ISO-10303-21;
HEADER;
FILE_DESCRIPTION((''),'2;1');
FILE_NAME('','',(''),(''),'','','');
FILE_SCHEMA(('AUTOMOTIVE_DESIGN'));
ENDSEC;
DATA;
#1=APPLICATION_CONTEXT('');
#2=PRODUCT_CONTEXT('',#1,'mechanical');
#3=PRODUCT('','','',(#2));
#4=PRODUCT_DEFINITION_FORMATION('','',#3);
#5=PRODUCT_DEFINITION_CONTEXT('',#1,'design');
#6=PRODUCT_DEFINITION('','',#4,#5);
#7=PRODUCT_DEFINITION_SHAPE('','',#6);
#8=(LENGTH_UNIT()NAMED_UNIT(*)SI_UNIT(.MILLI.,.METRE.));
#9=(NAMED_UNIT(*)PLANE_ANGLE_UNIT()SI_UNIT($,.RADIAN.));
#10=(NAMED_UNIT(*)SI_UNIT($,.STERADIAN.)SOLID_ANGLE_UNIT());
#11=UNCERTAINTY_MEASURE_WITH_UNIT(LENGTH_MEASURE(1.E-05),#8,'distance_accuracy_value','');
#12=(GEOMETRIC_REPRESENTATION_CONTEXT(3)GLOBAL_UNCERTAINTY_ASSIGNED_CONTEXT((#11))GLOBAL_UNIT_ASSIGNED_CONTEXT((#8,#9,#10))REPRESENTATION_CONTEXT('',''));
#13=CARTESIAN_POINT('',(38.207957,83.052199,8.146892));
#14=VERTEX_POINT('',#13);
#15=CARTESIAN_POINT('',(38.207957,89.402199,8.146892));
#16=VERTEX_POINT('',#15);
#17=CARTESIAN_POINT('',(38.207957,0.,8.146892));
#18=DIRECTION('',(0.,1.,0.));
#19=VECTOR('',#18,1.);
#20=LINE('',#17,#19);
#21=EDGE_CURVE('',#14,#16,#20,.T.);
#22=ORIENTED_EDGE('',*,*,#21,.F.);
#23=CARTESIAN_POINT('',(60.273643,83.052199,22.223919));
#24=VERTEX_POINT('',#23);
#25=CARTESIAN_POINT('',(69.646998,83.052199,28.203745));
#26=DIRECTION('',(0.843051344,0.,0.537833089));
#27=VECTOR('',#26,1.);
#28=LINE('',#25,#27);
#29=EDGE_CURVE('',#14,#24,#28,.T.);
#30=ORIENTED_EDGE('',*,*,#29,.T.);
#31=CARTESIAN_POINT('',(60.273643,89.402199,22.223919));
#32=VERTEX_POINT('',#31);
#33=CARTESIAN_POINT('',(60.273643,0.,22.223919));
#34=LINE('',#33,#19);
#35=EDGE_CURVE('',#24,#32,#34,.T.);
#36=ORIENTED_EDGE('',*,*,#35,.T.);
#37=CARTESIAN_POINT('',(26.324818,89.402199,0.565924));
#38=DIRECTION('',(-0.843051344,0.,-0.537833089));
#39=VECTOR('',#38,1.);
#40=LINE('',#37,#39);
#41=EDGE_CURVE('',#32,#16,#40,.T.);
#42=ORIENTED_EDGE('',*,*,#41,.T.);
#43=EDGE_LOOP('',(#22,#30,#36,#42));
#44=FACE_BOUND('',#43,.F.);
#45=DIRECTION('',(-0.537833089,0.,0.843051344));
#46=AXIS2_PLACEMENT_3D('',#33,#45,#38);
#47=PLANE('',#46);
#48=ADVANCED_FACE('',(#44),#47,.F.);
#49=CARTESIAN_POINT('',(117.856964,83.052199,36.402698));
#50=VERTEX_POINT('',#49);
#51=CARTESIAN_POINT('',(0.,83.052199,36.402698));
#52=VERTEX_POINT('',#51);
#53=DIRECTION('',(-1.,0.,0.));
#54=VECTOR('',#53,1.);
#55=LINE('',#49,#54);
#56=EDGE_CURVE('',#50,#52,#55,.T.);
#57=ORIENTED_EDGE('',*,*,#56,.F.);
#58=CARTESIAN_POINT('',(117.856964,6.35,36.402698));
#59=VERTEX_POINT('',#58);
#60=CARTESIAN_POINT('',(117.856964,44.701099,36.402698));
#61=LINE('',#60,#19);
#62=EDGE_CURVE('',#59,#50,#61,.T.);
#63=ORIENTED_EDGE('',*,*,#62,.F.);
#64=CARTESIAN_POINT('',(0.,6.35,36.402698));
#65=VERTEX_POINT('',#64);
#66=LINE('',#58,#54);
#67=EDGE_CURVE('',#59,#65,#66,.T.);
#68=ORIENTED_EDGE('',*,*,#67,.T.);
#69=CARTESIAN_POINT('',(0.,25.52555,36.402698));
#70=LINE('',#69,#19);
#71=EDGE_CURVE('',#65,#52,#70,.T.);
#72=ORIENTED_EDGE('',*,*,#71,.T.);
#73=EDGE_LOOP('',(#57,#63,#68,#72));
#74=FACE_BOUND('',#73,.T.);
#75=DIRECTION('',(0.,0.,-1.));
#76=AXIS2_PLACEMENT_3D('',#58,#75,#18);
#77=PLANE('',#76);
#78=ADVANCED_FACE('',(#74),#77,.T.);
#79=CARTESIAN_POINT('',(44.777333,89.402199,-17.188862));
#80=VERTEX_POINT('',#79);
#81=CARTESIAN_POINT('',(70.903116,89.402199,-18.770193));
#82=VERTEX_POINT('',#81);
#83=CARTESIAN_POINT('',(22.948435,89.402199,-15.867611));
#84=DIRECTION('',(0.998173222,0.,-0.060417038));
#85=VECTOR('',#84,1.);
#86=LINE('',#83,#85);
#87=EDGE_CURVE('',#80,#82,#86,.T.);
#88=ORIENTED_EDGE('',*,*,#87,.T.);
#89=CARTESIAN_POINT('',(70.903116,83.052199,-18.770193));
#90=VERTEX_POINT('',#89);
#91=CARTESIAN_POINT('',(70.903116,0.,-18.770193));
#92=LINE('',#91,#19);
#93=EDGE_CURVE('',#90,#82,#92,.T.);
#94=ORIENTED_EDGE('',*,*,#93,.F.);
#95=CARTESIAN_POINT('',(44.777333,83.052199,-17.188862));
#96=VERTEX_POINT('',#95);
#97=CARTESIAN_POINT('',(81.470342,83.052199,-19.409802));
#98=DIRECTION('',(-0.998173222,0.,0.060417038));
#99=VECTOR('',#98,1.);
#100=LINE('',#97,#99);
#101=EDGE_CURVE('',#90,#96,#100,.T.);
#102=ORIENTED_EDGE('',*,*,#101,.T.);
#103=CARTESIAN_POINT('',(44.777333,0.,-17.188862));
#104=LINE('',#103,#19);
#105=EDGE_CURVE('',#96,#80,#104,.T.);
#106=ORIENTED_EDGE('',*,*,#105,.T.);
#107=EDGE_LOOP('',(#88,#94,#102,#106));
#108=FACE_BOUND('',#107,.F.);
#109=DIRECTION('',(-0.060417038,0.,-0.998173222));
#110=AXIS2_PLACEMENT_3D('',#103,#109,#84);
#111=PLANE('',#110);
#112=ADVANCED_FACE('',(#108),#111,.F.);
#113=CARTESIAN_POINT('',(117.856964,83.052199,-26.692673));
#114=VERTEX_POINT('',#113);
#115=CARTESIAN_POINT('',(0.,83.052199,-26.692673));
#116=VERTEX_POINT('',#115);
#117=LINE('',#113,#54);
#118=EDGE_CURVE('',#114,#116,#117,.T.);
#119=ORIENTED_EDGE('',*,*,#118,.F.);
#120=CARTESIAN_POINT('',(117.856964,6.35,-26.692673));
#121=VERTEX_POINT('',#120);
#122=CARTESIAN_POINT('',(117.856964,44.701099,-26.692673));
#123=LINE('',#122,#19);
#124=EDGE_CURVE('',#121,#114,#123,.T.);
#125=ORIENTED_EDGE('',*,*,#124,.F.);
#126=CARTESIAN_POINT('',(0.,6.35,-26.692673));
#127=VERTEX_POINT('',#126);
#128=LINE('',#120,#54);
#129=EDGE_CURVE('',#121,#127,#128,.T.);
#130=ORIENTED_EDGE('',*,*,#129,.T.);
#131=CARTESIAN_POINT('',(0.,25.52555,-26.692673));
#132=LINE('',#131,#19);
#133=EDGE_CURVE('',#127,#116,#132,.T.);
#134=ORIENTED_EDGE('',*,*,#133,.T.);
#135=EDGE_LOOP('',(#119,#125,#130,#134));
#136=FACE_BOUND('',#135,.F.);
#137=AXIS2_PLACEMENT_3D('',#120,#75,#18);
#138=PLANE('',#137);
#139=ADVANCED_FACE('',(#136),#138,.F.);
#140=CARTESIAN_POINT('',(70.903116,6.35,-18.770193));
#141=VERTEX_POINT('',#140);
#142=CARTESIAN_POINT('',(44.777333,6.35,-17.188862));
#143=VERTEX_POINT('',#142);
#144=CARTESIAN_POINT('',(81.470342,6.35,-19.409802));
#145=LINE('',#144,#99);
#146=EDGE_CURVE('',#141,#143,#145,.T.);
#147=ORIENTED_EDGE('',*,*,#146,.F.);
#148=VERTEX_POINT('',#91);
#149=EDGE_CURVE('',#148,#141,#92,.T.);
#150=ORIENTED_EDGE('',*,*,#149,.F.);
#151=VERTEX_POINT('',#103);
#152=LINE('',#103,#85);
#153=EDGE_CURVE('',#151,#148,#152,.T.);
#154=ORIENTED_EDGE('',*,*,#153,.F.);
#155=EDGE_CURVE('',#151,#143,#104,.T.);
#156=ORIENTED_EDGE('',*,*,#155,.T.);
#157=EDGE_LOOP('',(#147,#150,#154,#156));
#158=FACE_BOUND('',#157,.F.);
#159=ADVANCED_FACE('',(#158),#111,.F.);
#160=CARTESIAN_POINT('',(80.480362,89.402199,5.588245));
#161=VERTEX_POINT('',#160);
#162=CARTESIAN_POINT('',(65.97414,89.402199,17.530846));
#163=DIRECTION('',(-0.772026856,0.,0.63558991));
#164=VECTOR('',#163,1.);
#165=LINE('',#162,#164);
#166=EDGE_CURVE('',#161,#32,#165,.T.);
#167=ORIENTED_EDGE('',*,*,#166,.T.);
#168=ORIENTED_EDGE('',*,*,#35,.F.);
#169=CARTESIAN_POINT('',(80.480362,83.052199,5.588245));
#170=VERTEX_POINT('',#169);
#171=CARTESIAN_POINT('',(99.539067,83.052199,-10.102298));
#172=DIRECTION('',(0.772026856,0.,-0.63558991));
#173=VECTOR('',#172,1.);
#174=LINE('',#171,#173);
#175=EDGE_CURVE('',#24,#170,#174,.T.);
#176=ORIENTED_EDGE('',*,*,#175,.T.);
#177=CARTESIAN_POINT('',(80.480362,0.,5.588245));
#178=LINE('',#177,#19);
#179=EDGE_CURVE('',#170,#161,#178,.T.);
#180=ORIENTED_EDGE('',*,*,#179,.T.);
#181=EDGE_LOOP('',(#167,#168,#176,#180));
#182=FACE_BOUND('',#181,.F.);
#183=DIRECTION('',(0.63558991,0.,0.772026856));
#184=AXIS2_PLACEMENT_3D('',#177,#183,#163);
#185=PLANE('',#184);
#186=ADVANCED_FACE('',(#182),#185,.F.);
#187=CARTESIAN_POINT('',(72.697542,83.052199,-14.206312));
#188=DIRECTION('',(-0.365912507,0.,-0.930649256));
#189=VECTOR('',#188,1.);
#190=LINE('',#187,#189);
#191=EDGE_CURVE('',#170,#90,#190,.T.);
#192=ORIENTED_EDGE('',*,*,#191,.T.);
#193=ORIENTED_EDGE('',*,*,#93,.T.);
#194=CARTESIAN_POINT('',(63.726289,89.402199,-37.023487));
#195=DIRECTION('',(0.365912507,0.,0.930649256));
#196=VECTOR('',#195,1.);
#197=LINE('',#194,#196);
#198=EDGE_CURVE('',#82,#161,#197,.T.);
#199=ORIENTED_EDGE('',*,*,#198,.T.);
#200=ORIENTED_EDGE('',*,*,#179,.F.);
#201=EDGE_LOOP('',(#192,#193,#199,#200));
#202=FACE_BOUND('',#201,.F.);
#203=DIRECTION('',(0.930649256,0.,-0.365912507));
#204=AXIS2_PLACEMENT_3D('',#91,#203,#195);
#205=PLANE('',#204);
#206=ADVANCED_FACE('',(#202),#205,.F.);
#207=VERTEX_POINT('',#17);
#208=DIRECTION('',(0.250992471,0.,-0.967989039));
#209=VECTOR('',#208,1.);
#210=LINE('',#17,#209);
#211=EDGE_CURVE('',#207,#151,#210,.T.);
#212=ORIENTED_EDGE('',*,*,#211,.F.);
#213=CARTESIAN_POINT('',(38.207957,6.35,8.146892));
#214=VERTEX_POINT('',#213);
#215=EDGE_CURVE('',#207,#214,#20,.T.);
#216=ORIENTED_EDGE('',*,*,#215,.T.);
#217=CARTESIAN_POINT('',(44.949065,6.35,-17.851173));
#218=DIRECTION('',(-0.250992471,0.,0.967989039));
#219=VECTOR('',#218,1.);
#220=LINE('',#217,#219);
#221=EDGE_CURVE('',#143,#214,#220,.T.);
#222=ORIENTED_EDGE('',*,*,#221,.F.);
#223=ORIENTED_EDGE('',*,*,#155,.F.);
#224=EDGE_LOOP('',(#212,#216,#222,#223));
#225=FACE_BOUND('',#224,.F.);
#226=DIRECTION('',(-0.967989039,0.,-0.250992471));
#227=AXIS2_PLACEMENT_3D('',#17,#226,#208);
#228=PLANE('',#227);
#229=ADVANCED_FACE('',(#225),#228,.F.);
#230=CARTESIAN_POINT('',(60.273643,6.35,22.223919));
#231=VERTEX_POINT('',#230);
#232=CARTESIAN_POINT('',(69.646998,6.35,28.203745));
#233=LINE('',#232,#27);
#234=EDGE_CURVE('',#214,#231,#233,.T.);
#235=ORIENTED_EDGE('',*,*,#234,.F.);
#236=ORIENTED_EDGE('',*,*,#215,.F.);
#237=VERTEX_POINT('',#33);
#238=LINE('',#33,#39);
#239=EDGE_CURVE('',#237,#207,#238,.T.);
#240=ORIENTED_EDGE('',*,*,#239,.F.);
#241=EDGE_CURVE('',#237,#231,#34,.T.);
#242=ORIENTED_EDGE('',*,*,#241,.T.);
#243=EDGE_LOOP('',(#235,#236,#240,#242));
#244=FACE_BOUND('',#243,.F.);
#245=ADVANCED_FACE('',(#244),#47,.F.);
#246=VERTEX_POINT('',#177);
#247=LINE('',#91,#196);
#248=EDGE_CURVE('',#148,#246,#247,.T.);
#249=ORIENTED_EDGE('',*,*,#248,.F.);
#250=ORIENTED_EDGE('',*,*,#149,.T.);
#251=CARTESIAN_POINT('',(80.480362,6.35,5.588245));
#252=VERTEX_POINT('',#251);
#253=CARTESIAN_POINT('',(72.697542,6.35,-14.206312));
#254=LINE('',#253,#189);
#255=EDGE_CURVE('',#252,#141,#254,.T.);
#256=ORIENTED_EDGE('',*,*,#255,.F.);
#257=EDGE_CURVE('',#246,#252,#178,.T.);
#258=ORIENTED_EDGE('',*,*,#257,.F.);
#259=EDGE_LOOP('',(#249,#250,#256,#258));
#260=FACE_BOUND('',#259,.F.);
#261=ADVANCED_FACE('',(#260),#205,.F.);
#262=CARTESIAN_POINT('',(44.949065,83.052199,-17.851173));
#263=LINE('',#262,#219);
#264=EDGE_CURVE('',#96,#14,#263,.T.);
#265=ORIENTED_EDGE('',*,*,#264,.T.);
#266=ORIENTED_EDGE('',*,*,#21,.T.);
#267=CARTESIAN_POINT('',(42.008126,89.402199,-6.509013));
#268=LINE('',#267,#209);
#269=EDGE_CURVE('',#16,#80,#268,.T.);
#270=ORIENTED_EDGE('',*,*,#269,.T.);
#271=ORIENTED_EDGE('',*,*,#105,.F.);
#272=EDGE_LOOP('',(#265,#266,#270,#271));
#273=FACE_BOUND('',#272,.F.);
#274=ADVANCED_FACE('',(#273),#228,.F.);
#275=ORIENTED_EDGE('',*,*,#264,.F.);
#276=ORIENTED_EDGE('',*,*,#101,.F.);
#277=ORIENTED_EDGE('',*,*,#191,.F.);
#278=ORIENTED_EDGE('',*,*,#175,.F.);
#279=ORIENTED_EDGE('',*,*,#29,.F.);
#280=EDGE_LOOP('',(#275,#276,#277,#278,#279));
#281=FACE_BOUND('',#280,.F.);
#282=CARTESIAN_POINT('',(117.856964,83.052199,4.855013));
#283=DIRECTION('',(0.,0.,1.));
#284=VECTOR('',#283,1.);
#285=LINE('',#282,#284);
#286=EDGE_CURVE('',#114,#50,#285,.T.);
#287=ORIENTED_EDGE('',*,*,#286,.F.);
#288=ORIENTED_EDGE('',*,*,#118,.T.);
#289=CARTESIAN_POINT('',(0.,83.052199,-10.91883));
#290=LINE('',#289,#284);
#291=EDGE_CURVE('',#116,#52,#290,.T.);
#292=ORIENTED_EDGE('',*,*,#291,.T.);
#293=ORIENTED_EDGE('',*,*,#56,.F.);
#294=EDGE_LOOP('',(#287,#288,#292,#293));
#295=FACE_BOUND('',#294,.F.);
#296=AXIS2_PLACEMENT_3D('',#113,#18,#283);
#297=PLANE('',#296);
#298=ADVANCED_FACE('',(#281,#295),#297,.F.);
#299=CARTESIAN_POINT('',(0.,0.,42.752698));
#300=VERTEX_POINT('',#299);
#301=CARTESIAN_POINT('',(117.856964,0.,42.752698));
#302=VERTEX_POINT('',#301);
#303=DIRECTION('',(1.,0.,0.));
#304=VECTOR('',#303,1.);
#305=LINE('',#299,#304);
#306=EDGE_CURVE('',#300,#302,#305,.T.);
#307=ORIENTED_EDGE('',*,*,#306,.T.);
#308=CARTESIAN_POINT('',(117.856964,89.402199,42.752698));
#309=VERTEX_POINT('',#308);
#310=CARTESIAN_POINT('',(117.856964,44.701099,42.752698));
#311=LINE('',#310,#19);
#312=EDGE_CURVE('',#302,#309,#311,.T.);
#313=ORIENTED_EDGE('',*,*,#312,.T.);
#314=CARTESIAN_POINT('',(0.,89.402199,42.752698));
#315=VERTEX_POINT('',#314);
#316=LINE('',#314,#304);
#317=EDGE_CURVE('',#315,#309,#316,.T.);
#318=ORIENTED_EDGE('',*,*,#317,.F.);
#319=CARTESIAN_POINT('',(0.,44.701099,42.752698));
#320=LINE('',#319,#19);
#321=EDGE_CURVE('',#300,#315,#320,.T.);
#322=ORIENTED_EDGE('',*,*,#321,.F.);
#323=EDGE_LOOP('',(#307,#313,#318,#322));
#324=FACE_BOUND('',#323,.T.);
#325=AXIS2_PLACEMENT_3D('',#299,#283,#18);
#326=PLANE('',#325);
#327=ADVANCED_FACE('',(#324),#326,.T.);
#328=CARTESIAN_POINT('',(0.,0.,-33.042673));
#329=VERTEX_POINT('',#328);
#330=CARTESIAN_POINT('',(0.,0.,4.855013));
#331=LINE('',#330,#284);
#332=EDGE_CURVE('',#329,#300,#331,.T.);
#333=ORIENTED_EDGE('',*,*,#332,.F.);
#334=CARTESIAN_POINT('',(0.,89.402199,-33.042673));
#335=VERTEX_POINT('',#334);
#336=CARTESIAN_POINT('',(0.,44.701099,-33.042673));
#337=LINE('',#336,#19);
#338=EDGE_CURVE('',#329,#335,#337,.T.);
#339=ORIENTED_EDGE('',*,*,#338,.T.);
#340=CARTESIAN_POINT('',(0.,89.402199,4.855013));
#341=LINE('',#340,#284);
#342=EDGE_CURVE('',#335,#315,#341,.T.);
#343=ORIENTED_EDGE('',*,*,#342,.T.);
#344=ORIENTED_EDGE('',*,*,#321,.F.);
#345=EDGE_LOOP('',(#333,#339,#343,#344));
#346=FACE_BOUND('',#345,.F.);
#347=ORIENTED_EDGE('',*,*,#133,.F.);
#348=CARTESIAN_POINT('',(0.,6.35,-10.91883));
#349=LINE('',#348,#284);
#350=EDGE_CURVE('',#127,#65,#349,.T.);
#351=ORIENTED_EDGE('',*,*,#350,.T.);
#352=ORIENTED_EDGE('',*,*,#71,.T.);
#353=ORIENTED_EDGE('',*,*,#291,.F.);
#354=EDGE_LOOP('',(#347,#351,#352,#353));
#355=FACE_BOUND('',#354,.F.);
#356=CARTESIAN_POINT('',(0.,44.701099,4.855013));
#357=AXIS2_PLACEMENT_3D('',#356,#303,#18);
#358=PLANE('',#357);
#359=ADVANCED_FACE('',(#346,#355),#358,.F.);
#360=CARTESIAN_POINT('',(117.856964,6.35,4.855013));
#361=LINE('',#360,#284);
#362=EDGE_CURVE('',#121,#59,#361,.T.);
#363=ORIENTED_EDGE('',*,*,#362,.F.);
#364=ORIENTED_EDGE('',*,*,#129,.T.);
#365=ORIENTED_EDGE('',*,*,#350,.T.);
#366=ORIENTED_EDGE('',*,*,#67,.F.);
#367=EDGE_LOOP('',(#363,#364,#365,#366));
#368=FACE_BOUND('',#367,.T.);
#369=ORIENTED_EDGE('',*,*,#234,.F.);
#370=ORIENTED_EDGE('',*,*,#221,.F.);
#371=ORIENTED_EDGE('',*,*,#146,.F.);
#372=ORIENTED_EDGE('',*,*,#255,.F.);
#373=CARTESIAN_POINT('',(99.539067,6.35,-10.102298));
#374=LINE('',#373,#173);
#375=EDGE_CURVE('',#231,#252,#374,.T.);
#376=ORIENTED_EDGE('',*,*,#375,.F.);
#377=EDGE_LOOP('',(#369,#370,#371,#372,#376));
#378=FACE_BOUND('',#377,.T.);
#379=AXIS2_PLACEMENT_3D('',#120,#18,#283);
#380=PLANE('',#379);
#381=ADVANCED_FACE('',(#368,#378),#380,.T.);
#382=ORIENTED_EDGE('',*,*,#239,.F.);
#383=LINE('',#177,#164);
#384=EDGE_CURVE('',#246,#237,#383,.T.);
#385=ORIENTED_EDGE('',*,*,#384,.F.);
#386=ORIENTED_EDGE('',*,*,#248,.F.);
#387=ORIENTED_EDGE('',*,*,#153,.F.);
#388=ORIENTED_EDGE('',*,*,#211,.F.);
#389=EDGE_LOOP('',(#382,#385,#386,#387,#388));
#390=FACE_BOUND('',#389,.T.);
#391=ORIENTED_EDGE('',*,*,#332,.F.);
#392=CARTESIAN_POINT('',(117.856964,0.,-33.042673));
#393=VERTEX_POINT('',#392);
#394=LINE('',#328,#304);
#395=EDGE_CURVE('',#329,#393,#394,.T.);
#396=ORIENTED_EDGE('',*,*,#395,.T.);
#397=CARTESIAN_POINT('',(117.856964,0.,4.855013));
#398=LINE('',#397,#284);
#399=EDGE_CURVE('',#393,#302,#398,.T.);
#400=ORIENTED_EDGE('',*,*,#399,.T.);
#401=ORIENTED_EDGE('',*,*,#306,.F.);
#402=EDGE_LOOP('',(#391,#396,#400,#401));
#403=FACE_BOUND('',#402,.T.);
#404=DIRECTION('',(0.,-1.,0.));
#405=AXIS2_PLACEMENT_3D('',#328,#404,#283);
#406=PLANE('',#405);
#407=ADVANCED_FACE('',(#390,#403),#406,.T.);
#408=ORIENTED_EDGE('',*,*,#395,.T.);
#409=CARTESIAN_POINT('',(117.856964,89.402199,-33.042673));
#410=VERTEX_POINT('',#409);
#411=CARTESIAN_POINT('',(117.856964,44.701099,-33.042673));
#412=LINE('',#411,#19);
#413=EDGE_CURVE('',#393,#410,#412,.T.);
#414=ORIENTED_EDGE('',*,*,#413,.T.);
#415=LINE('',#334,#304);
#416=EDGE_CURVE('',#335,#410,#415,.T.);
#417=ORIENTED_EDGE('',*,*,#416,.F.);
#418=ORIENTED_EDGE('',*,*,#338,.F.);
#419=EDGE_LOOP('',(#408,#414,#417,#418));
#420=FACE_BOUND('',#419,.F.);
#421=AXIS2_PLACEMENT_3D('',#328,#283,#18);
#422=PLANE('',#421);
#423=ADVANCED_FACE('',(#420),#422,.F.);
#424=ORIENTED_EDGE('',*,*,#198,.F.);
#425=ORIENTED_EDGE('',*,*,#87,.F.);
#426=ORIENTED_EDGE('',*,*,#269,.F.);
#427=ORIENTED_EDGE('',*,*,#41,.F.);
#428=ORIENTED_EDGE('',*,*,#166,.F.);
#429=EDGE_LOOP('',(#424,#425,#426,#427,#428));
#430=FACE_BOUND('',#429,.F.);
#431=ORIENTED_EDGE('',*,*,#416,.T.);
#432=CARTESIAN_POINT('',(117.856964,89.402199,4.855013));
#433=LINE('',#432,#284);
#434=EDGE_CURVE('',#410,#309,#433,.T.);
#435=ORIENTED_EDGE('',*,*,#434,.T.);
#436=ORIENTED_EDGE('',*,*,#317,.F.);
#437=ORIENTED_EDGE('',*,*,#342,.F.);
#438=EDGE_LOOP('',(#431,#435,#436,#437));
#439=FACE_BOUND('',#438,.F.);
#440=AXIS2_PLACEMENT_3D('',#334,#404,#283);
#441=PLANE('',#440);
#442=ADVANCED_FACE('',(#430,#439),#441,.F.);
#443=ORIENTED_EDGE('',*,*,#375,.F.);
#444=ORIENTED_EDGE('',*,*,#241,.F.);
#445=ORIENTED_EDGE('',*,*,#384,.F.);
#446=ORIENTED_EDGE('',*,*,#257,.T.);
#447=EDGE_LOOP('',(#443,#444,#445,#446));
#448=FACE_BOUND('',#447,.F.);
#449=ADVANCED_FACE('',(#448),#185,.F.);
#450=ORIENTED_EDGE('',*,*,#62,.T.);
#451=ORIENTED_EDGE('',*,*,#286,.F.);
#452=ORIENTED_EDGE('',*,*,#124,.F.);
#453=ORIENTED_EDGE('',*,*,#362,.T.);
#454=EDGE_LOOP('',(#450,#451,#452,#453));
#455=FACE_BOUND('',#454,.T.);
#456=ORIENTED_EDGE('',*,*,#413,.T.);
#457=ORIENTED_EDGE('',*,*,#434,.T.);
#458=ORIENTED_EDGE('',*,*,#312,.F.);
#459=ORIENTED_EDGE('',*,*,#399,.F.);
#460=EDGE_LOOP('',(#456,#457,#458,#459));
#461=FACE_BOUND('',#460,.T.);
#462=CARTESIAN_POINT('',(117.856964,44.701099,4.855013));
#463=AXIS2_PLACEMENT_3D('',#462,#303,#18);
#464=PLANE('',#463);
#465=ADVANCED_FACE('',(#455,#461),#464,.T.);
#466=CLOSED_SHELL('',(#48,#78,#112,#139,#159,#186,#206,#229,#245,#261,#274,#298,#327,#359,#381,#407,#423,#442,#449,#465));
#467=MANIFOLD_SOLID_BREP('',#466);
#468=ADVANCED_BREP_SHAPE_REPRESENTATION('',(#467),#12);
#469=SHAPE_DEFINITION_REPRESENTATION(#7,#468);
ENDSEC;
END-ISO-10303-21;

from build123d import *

# Parameters (mm, degrees)
F0_W     = 89.4021987915
F0_H     = 75.7953710854
F2_DEPTH = 117.856964469
F3_W     = 76.7021987915
F3_H     = 63.0953710854
F4_DEPTH = 168.5473639518
F6_DEPTH = 108.4326226264


with BuildPart() as f2:
    # F0 (on Right) → F2 (new body)
    with BuildSketch(Plane.YZ):
        with Locations((44.7010993958, 4.8550125211)):
            Rectangle(F0_W, F0_H)
    extrude(amount=F2_DEPTH)

    # F3 (on face) → F4 (cut)
    with BuildSketch(Plane.YZ.offset(117.856964469)):
        with Locations((44.7010993958, 4.8550125211)):
            Rectangle(F3_W, F3_H)
    extrude(amount=-F4_DEPTH, mode=Mode.SUBTRACT)

    # F5 (on face) → F6 (cut)
    with BuildSketch(Plane.XZ):
        Polygon((70.9031159894, -18.7701933731), (80.4803622858, 5.5882447229), (60.2736428727, 22.2239185493), (38.2079571779, 8.1468923038), (44.7773328466, -17.1888622029), align=None)
    extrude(amount=-F6_DEPTH, mode=Mode.SUBTRACT)


solid = f2.part
